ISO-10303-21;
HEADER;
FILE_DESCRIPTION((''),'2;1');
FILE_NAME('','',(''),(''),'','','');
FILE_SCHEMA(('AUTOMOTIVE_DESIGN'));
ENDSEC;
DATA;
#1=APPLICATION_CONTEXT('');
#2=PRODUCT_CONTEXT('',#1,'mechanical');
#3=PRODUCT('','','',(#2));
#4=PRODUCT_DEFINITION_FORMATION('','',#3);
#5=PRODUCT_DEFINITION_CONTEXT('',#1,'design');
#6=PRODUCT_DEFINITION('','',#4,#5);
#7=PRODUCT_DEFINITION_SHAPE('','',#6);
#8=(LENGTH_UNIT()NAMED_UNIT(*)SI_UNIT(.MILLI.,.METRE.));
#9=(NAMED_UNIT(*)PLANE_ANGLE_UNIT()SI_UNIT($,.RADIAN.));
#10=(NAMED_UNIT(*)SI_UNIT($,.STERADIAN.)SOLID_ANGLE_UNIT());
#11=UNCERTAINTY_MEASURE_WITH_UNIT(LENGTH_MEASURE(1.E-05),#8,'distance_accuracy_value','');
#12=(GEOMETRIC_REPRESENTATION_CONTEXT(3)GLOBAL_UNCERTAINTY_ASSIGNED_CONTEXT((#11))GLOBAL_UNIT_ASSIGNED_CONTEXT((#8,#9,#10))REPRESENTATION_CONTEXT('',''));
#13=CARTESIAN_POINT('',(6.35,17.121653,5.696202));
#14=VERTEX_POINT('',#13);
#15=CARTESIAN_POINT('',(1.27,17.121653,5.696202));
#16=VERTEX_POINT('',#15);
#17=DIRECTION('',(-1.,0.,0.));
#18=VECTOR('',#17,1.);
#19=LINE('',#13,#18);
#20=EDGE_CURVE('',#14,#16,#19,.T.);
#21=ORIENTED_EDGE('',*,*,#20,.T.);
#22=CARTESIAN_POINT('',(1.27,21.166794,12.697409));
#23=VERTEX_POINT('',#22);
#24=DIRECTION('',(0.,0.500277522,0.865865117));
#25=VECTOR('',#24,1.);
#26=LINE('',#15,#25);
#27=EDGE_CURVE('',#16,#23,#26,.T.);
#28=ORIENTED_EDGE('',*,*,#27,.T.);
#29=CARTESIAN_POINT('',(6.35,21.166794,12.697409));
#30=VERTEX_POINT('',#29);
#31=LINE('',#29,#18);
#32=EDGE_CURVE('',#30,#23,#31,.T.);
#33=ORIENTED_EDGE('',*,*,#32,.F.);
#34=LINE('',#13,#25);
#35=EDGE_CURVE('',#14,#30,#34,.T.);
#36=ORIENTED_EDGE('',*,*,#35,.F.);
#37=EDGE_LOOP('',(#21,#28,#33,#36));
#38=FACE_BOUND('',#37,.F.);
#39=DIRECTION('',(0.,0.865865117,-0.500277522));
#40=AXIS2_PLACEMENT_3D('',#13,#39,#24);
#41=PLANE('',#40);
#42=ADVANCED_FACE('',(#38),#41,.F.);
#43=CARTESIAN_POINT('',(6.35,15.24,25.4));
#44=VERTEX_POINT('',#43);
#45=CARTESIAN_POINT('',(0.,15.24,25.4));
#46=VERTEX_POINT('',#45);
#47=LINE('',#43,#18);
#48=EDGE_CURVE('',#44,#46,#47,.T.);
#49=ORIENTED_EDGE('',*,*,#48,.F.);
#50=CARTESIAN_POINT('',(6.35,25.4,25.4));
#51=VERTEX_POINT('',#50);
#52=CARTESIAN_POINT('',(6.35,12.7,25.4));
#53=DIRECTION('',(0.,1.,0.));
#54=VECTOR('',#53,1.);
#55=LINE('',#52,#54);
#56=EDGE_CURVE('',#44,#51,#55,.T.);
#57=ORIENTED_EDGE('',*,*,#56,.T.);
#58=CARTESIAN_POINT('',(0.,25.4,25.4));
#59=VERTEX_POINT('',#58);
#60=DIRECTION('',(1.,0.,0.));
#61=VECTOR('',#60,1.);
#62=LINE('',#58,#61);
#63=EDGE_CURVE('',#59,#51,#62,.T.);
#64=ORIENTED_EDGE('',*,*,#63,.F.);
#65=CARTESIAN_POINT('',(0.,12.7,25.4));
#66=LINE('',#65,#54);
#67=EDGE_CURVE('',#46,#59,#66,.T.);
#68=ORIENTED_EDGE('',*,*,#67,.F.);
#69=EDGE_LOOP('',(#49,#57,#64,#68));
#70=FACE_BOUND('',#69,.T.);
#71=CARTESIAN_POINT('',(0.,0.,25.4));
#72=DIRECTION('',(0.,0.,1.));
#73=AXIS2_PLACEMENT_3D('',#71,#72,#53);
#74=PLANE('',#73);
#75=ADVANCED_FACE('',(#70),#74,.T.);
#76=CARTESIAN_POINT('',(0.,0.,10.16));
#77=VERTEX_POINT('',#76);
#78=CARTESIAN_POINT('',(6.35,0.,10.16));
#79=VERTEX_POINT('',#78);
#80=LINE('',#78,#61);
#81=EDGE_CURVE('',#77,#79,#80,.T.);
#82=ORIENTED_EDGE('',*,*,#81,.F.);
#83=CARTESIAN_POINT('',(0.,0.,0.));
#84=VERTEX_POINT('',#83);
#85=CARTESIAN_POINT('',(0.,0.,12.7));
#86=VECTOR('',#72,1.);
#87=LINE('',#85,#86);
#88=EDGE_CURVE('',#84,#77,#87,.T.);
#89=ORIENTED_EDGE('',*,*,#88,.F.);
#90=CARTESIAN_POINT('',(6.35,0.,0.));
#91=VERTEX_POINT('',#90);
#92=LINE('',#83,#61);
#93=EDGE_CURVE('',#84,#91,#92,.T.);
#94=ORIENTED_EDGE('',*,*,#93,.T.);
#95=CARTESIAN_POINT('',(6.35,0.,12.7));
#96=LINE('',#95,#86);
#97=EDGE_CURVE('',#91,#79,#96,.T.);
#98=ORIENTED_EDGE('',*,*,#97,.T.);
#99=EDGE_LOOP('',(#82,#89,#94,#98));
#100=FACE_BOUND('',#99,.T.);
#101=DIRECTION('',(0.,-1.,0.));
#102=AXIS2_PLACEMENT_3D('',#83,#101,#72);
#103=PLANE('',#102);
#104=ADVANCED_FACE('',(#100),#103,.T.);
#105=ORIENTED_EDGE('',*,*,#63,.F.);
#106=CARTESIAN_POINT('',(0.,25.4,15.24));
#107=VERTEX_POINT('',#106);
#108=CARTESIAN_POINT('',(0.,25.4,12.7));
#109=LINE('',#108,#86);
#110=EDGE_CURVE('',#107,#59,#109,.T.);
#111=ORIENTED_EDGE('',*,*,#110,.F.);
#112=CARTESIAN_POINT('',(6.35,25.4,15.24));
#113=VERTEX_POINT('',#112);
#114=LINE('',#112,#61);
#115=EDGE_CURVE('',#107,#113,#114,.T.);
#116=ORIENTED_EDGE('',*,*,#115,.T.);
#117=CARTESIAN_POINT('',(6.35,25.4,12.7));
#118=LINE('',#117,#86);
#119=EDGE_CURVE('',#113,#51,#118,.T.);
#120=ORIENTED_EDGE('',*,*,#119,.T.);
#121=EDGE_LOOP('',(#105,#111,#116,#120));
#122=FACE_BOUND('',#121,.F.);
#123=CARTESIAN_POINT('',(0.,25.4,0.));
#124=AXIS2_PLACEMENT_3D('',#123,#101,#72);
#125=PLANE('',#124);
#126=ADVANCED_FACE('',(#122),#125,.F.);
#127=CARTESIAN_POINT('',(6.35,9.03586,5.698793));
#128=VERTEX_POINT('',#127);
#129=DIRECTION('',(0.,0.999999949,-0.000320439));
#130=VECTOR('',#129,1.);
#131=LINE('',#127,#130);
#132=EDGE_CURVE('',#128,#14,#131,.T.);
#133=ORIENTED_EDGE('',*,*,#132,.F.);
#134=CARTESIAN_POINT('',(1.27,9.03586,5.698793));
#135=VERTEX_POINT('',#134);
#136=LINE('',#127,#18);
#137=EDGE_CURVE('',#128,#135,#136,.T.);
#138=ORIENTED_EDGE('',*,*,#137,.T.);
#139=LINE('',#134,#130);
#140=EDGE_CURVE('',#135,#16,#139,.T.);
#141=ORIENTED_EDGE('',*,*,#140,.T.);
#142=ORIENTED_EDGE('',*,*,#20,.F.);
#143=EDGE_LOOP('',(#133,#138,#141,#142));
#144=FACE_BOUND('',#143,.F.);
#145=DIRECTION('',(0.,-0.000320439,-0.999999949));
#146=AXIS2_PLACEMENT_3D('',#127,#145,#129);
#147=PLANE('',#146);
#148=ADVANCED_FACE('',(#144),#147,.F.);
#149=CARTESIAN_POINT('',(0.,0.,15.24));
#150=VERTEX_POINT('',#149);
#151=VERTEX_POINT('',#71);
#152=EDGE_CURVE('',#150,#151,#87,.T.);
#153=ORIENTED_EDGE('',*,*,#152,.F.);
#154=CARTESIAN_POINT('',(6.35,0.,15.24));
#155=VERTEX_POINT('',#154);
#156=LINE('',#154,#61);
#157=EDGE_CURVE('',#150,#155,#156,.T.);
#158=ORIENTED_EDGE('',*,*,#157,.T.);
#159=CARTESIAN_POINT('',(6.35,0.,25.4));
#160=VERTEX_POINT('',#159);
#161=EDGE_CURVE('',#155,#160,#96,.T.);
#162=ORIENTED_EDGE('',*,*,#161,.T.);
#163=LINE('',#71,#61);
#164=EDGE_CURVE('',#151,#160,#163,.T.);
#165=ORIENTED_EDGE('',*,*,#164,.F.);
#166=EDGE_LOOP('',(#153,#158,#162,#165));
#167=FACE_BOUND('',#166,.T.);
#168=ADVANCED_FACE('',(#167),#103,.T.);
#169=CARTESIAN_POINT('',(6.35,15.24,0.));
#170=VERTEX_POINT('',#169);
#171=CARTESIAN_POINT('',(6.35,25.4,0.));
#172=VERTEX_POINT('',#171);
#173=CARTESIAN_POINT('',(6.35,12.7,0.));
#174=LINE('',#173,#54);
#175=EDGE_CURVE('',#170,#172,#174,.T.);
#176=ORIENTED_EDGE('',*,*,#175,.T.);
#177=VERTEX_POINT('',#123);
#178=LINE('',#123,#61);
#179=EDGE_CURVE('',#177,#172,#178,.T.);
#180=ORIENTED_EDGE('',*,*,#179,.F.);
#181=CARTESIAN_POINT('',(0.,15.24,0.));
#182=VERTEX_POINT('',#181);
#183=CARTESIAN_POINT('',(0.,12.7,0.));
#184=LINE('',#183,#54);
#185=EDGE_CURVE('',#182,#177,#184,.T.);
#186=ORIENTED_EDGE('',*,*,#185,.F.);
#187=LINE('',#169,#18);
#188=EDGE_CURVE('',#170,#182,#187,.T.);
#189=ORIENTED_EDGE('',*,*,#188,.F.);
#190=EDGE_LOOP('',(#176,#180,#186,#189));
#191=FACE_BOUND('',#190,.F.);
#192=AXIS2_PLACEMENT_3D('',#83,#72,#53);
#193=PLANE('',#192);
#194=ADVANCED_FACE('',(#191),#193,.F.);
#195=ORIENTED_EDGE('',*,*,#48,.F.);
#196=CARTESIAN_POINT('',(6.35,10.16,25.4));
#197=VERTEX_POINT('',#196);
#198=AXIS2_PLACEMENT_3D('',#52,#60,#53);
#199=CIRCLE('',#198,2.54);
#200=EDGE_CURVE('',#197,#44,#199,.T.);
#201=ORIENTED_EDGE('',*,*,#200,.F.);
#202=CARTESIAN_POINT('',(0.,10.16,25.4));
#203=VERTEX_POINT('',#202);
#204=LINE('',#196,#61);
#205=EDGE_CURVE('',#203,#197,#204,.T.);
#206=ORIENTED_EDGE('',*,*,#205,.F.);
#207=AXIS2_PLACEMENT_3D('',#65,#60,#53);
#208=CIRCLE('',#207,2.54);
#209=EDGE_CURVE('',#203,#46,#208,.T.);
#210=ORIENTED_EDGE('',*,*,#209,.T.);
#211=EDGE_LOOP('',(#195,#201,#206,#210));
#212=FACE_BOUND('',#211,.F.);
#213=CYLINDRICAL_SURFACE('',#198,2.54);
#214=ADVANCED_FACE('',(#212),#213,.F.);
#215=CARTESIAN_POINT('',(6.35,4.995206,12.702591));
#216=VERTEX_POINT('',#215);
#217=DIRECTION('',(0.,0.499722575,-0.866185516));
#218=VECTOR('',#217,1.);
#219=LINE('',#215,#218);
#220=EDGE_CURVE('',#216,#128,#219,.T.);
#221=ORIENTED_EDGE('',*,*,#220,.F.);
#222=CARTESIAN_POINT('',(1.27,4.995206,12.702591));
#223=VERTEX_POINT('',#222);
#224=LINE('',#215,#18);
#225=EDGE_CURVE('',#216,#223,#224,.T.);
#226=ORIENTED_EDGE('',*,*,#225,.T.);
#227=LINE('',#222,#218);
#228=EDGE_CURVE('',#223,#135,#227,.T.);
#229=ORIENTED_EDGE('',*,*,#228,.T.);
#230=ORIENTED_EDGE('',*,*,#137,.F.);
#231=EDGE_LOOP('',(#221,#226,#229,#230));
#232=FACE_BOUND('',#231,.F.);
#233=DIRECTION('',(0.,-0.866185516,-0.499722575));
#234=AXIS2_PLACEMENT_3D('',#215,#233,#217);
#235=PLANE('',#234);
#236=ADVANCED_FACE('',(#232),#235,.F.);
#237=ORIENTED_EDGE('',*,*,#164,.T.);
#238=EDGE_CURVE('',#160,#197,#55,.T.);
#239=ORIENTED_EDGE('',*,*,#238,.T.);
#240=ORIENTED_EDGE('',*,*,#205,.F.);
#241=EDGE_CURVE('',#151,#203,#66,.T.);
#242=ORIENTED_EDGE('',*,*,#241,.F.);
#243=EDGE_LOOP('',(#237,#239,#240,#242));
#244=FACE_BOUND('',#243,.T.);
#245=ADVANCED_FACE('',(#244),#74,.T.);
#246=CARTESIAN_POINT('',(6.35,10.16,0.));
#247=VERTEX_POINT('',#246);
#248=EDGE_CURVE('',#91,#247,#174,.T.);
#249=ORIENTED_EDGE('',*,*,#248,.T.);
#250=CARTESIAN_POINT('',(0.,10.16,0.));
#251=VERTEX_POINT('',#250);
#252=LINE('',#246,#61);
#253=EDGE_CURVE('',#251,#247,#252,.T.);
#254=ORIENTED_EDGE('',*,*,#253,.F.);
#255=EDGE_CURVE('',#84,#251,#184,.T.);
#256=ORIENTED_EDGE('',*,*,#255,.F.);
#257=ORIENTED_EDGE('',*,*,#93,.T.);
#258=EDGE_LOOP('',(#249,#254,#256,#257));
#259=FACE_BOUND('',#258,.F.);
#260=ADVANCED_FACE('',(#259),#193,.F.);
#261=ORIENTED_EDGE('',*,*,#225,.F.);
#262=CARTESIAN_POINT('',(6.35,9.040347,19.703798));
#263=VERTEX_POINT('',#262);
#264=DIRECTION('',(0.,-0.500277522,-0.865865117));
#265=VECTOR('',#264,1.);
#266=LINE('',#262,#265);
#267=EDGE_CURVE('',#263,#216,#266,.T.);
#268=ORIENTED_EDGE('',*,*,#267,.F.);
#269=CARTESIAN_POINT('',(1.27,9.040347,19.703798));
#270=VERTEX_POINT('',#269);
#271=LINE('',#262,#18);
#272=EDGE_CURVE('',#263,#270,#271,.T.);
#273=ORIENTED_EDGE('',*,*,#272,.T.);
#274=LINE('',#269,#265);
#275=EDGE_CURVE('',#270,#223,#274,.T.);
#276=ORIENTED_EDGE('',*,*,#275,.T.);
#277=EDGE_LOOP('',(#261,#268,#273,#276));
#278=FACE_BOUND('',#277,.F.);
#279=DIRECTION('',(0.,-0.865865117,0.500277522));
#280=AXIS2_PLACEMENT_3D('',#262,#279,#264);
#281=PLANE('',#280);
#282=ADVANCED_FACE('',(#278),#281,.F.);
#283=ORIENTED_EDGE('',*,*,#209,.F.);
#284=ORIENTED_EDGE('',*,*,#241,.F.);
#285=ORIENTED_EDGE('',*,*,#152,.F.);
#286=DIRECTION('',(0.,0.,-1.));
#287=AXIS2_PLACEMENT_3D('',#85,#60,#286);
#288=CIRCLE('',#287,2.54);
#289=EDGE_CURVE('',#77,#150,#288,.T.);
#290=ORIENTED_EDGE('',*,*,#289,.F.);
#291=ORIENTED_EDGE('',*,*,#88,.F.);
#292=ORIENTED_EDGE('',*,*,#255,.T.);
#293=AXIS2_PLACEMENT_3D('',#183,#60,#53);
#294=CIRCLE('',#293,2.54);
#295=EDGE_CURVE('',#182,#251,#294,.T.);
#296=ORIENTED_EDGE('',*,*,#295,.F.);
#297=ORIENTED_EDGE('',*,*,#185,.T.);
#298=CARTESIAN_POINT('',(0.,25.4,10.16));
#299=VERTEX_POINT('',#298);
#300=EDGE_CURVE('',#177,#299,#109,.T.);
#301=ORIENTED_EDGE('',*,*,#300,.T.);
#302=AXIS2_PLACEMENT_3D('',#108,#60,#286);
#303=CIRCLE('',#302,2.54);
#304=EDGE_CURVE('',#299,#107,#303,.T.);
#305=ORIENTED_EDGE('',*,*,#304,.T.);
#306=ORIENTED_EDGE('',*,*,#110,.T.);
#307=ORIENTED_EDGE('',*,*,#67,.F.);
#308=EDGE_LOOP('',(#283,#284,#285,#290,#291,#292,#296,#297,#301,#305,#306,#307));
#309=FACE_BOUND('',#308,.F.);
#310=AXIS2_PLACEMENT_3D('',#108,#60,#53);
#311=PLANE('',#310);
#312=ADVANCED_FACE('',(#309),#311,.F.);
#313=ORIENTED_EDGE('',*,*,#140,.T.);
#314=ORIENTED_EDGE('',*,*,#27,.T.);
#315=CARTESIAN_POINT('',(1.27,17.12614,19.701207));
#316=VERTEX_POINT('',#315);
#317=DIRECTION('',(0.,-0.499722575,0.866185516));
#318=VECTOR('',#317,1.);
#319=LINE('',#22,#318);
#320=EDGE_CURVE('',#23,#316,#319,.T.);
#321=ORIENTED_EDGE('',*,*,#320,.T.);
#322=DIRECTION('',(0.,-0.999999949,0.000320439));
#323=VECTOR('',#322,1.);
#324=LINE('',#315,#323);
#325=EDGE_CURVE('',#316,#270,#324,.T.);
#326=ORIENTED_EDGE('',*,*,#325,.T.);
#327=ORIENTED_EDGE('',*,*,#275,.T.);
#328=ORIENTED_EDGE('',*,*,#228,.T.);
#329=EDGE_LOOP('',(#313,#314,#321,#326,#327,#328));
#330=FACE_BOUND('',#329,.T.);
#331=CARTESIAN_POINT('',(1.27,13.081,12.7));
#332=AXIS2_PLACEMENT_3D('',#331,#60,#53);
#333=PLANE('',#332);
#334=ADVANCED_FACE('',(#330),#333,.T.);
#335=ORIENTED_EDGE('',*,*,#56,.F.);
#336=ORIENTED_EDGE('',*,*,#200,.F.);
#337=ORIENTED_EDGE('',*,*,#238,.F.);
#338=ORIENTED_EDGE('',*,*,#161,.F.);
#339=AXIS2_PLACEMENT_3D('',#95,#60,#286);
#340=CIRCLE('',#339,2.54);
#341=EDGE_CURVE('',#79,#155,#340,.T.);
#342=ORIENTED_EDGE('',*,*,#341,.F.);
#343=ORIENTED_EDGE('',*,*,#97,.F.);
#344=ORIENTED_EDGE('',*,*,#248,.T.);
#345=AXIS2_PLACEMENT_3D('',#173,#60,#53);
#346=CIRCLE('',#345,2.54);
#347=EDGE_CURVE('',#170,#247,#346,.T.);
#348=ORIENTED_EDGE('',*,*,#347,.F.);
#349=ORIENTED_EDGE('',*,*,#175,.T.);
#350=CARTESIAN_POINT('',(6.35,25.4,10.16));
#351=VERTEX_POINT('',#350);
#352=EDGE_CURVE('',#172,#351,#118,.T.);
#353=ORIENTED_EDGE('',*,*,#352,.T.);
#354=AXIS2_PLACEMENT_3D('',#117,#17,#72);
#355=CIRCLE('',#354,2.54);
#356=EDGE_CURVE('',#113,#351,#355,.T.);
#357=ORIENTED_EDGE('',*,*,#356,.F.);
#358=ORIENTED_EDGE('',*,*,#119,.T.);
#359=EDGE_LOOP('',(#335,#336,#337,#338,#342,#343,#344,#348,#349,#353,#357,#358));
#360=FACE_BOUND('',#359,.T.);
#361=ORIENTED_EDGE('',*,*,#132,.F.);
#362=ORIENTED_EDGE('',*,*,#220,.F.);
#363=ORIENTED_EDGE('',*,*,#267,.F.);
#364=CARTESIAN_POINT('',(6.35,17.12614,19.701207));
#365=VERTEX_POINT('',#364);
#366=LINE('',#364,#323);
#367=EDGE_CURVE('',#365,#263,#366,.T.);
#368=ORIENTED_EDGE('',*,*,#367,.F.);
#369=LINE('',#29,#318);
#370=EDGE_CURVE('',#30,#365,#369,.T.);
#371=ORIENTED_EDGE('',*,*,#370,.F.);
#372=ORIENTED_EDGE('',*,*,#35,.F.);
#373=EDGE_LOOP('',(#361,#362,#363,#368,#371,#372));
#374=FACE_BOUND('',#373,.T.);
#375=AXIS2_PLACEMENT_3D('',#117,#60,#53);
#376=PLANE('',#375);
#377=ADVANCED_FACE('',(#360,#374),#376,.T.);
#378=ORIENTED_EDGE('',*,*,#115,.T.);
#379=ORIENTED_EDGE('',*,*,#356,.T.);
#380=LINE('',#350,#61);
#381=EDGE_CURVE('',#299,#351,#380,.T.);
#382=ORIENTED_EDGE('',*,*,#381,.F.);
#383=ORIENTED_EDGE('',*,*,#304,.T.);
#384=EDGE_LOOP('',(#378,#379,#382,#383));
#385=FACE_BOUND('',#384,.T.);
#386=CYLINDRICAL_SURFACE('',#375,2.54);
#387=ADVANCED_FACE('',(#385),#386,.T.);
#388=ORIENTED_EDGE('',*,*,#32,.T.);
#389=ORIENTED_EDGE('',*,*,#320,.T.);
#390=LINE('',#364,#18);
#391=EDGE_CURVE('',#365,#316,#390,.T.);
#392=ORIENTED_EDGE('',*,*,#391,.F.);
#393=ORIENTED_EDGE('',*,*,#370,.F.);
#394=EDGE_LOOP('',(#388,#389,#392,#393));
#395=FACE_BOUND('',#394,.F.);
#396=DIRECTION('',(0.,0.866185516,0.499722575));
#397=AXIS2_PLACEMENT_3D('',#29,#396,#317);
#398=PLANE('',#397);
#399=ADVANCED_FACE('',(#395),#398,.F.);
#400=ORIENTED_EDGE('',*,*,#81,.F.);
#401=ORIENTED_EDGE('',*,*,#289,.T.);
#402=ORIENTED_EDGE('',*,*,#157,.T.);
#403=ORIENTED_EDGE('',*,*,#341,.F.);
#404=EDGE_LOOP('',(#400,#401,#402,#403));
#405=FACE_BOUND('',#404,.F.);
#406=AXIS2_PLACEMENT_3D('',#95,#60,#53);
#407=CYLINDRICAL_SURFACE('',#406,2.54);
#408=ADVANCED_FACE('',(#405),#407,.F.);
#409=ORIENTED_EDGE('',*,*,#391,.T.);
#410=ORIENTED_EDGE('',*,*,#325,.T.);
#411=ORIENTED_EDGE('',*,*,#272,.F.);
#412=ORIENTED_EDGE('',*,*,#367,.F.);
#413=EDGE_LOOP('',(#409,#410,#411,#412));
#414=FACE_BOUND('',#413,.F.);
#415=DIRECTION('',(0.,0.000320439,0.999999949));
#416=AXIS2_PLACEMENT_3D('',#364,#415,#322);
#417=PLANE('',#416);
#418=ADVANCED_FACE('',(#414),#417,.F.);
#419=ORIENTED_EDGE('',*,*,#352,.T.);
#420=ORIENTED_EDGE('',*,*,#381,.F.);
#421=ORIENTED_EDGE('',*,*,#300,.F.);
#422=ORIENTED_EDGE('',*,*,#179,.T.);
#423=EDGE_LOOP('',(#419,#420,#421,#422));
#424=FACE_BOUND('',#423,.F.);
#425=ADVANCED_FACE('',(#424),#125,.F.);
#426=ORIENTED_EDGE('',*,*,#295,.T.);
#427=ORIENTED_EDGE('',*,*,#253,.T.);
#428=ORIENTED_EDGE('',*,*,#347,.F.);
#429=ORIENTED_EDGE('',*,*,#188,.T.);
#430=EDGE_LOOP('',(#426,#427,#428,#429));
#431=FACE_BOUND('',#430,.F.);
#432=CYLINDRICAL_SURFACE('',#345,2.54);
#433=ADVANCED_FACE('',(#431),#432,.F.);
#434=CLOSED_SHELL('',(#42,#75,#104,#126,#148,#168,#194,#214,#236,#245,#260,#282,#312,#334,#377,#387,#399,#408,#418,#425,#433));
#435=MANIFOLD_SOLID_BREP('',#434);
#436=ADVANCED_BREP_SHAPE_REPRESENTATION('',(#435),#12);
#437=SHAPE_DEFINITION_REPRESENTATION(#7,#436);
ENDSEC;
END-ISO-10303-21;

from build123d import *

# Parameters (mm, degrees)
F0_W     = 25.4
F0_H     = 25.4
F1_DEPTH = 6.35
F2_R     = 2.54
F3_DEPTH = 6.35
F4_R     = 2.54
F5_DEPTH = 6.35
F7_DEPTH = 5.08


with BuildPart() as f1:
    # F0 (on Right) → F1 (new body)
    with BuildSketch(Plane.YZ):
        with Locations((12.7, 12.7)):
            Rectangle(F0_W, F0_H)
    extrude(amount=F1_DEPTH)

    # F2 (on face) → F3 (cut)
    with BuildSketch(Plane.YZ.offset(6.35)):
        with Locations((12.7, 0)):
            Circle(F2_R)
        with Locations((0, 12.7)):
            Circle(F2_R)
        with Locations((12.7, 25.4)):
            Circle(F2_R)
    extrude(amount=-F3_DEPTH, mode=Mode.SUBTRACT)

    # F4 (on face) → F5 (join)
    with BuildSketch(Plane.YZ.offset(6.35)):
        with Locations((25.4, 12.7)):
            Circle(F4_R)
    extrude(amount=-F5_DEPTH)

    # F6 (on face) → F7 (cut)
    with BuildSketch(Plane.YZ.offset(6.35)):
        Polygon((21.166794, 12.697409), (17.12614, 19.701207), (9.040347, 19.703798), (4.995206, 12.702591), (9.03586, 5.698793), (17.121653, 5.696202), align=None)
    extrude(amount=-F7_DEPTH, mode=Mode.SUBTRACT)


solid = f1.part
